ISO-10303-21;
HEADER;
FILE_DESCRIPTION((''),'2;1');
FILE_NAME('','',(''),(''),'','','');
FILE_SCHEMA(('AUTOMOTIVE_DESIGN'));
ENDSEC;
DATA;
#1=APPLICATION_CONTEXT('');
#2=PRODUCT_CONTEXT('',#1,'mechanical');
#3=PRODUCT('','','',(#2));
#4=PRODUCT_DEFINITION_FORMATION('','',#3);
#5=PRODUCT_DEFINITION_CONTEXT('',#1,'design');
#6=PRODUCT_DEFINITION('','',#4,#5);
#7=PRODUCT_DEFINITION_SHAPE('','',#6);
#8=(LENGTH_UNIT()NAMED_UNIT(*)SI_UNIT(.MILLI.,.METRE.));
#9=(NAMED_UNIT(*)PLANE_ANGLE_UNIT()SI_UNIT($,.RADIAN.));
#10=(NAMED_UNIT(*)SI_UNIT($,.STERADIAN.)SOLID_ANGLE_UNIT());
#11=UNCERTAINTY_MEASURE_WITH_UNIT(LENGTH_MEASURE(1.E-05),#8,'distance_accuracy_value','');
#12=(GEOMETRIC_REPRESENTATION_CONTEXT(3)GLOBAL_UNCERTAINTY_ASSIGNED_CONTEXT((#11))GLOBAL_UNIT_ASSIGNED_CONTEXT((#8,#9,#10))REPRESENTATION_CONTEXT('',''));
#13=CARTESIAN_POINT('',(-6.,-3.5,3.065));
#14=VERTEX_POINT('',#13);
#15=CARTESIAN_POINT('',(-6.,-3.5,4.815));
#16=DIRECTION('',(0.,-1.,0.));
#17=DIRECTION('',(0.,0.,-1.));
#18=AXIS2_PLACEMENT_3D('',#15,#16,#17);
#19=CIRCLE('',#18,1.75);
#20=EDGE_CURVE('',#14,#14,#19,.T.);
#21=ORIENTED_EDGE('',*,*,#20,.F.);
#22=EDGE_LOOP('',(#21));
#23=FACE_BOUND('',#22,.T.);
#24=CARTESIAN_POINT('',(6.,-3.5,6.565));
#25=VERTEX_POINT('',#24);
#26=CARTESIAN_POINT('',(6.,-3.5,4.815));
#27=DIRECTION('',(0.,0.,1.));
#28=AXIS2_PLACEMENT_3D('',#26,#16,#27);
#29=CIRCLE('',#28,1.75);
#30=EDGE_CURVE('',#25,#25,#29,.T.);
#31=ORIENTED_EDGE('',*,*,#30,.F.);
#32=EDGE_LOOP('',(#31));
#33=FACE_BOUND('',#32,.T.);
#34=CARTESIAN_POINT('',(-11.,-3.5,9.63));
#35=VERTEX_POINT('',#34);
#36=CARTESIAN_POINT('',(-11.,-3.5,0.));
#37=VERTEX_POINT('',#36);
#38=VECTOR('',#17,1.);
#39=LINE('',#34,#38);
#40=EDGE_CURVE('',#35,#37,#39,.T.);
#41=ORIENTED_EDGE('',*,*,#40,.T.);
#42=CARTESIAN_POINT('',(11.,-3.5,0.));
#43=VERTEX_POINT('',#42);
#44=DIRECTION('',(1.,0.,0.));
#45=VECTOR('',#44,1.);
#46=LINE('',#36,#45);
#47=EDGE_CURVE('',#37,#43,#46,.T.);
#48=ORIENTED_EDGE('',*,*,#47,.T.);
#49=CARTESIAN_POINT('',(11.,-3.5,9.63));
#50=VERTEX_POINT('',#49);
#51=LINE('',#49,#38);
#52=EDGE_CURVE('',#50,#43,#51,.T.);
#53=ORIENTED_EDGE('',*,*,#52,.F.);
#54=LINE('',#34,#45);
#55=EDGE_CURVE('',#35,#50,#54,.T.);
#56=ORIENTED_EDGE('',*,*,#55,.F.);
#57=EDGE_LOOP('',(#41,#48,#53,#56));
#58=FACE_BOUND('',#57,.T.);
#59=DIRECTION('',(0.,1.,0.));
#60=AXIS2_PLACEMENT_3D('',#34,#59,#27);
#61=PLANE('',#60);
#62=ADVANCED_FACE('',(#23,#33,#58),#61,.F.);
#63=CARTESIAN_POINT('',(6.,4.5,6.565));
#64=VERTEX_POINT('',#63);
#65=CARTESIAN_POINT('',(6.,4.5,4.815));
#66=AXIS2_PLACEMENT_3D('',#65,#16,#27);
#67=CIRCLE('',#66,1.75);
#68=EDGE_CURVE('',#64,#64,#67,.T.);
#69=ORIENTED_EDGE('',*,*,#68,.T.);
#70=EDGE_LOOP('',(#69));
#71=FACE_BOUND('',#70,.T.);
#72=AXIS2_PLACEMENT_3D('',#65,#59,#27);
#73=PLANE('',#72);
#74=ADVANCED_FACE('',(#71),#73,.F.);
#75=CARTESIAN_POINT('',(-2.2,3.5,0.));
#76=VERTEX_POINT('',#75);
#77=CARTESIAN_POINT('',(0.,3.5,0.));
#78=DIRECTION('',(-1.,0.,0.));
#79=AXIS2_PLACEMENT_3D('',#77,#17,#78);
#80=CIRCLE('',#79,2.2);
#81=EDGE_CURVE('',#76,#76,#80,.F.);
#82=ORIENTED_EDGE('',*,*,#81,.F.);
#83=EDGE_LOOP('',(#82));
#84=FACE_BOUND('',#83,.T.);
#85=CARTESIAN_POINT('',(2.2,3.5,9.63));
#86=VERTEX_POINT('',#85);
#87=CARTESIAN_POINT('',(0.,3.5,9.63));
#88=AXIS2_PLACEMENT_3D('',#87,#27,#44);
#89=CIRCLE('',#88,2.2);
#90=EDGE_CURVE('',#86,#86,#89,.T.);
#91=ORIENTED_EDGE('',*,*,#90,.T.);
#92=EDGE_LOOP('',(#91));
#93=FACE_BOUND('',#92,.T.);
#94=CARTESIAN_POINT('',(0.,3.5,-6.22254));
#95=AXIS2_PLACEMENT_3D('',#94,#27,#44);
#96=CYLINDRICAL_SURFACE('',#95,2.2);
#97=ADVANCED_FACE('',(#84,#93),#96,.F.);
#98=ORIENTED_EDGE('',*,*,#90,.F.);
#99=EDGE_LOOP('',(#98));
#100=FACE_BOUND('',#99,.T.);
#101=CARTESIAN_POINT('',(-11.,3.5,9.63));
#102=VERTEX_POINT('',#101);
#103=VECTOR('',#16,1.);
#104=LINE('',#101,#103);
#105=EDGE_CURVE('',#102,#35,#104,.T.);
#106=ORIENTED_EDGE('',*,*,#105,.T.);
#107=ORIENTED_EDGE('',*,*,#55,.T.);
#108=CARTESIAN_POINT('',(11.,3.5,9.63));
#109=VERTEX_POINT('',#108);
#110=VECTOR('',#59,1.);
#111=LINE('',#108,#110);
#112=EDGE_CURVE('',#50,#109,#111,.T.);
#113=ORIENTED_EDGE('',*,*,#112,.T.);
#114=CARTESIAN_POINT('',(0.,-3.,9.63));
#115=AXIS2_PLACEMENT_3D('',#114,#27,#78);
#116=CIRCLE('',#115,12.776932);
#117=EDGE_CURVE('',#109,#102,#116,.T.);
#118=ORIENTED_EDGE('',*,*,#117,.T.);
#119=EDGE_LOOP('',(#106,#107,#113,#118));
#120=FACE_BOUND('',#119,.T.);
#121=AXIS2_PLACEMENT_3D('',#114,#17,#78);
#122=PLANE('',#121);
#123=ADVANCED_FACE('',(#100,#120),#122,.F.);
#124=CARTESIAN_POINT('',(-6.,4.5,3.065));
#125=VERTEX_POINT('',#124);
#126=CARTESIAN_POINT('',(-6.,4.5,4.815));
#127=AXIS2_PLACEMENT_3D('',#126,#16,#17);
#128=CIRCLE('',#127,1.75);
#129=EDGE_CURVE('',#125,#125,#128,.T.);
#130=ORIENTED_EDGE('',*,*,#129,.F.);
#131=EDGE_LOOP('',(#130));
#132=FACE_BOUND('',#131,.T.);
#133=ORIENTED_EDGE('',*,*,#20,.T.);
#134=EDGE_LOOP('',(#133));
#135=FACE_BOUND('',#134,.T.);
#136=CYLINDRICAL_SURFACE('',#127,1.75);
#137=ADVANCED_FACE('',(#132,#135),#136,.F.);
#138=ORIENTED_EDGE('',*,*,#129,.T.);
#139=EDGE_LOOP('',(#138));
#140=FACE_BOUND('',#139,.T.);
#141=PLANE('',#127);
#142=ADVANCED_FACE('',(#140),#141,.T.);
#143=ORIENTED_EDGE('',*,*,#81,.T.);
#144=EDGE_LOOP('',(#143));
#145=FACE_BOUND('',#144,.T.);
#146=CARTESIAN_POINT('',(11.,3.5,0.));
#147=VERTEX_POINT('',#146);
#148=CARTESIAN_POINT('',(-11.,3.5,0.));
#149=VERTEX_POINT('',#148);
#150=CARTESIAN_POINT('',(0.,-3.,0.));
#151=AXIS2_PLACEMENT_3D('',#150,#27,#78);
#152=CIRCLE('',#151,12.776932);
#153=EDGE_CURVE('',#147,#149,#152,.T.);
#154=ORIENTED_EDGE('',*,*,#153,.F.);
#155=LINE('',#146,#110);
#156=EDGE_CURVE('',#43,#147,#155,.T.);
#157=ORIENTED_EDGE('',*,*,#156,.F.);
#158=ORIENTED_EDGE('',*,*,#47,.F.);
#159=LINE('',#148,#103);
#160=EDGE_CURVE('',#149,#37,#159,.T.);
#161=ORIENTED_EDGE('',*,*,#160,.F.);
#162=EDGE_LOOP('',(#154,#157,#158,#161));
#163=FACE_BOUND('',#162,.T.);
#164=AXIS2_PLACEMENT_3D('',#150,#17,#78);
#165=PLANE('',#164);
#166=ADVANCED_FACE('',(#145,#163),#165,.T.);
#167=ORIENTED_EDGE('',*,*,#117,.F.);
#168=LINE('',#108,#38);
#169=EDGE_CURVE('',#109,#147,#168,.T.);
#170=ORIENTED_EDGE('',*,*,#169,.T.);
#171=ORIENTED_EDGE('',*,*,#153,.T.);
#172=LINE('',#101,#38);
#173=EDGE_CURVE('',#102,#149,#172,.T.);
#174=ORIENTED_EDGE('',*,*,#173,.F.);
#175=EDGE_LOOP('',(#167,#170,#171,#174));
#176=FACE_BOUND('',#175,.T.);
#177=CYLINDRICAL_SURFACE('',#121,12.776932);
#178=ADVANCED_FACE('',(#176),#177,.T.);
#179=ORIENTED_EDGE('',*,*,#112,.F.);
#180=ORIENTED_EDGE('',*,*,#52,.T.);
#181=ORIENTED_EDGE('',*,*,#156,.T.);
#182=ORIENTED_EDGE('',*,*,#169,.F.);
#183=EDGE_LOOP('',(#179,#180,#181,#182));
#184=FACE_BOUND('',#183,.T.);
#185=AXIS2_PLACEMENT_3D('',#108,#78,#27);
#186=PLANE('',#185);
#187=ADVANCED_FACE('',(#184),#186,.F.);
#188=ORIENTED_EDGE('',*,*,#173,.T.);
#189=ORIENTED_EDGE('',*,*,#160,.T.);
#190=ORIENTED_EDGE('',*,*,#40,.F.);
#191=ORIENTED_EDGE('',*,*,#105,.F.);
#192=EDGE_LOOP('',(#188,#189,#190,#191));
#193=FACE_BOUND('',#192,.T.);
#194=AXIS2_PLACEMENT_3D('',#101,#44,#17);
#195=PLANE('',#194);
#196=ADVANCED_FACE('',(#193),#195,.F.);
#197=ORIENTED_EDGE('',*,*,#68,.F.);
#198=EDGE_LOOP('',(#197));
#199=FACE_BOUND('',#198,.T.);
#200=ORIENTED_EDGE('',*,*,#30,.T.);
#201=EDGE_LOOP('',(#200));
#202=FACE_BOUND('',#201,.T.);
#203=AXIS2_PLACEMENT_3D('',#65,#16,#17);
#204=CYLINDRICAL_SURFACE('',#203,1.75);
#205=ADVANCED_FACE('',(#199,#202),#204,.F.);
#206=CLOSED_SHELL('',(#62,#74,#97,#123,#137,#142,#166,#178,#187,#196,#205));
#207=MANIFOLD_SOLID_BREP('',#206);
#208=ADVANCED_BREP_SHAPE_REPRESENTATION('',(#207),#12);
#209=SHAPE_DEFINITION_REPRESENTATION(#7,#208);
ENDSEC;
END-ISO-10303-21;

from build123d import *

# Parameters (mm, degrees)
EXTRUDE_3_8_DEPTH = 9.63
SKETCH2_R         = 2.2
M5_DRILL_DEPTH    = 9.63
SKETCH3_R         = 1.75
M4_DRILL_DEPTH    = 8


with BuildPart() as part:
    # Sketch1 → 3/8 (new body)
    with BuildSketch(Plane.XY):
        with BuildLine():
            Line((-11, 3.5), (-11, -3.5))
            Line((-11, -3.5), (11, -3.5))
            Line((11, -3.5), (11, 3.5))
            ThreePointArc((11, 3.5), (0, 9.776932339), (-11, 3.5))
        make_face()
    extrude(amount=EXTRUDE_3_8_DEPTH)

    # Sketch2 → M5_DRILL (cut)
    with BuildSketch(Plane.XY.offset(9.63)):
        with Locations((0, 3.5)):
            Circle(SKETCH2_R)
    extrude(amount=-M5_DRILL_DEPTH, mode=Mode.SUBTRACT)

    # Sketch3 → M4_DRILL (cut)
    with BuildSketch(Plane.XZ.offset(3.5)):
        with Locations(Location((-6, 4.815, 0), (0, 0, 270))):
            Circle(SKETCH3_R)
        with Locations(Location((6, 4.815, 0), (0, 0, 90))):
            Circle(SKETCH3_R)
    extrude(amount=-M4_DRILL_DEPTH, mode=Mode.SUBTRACT)


solid = part.part
